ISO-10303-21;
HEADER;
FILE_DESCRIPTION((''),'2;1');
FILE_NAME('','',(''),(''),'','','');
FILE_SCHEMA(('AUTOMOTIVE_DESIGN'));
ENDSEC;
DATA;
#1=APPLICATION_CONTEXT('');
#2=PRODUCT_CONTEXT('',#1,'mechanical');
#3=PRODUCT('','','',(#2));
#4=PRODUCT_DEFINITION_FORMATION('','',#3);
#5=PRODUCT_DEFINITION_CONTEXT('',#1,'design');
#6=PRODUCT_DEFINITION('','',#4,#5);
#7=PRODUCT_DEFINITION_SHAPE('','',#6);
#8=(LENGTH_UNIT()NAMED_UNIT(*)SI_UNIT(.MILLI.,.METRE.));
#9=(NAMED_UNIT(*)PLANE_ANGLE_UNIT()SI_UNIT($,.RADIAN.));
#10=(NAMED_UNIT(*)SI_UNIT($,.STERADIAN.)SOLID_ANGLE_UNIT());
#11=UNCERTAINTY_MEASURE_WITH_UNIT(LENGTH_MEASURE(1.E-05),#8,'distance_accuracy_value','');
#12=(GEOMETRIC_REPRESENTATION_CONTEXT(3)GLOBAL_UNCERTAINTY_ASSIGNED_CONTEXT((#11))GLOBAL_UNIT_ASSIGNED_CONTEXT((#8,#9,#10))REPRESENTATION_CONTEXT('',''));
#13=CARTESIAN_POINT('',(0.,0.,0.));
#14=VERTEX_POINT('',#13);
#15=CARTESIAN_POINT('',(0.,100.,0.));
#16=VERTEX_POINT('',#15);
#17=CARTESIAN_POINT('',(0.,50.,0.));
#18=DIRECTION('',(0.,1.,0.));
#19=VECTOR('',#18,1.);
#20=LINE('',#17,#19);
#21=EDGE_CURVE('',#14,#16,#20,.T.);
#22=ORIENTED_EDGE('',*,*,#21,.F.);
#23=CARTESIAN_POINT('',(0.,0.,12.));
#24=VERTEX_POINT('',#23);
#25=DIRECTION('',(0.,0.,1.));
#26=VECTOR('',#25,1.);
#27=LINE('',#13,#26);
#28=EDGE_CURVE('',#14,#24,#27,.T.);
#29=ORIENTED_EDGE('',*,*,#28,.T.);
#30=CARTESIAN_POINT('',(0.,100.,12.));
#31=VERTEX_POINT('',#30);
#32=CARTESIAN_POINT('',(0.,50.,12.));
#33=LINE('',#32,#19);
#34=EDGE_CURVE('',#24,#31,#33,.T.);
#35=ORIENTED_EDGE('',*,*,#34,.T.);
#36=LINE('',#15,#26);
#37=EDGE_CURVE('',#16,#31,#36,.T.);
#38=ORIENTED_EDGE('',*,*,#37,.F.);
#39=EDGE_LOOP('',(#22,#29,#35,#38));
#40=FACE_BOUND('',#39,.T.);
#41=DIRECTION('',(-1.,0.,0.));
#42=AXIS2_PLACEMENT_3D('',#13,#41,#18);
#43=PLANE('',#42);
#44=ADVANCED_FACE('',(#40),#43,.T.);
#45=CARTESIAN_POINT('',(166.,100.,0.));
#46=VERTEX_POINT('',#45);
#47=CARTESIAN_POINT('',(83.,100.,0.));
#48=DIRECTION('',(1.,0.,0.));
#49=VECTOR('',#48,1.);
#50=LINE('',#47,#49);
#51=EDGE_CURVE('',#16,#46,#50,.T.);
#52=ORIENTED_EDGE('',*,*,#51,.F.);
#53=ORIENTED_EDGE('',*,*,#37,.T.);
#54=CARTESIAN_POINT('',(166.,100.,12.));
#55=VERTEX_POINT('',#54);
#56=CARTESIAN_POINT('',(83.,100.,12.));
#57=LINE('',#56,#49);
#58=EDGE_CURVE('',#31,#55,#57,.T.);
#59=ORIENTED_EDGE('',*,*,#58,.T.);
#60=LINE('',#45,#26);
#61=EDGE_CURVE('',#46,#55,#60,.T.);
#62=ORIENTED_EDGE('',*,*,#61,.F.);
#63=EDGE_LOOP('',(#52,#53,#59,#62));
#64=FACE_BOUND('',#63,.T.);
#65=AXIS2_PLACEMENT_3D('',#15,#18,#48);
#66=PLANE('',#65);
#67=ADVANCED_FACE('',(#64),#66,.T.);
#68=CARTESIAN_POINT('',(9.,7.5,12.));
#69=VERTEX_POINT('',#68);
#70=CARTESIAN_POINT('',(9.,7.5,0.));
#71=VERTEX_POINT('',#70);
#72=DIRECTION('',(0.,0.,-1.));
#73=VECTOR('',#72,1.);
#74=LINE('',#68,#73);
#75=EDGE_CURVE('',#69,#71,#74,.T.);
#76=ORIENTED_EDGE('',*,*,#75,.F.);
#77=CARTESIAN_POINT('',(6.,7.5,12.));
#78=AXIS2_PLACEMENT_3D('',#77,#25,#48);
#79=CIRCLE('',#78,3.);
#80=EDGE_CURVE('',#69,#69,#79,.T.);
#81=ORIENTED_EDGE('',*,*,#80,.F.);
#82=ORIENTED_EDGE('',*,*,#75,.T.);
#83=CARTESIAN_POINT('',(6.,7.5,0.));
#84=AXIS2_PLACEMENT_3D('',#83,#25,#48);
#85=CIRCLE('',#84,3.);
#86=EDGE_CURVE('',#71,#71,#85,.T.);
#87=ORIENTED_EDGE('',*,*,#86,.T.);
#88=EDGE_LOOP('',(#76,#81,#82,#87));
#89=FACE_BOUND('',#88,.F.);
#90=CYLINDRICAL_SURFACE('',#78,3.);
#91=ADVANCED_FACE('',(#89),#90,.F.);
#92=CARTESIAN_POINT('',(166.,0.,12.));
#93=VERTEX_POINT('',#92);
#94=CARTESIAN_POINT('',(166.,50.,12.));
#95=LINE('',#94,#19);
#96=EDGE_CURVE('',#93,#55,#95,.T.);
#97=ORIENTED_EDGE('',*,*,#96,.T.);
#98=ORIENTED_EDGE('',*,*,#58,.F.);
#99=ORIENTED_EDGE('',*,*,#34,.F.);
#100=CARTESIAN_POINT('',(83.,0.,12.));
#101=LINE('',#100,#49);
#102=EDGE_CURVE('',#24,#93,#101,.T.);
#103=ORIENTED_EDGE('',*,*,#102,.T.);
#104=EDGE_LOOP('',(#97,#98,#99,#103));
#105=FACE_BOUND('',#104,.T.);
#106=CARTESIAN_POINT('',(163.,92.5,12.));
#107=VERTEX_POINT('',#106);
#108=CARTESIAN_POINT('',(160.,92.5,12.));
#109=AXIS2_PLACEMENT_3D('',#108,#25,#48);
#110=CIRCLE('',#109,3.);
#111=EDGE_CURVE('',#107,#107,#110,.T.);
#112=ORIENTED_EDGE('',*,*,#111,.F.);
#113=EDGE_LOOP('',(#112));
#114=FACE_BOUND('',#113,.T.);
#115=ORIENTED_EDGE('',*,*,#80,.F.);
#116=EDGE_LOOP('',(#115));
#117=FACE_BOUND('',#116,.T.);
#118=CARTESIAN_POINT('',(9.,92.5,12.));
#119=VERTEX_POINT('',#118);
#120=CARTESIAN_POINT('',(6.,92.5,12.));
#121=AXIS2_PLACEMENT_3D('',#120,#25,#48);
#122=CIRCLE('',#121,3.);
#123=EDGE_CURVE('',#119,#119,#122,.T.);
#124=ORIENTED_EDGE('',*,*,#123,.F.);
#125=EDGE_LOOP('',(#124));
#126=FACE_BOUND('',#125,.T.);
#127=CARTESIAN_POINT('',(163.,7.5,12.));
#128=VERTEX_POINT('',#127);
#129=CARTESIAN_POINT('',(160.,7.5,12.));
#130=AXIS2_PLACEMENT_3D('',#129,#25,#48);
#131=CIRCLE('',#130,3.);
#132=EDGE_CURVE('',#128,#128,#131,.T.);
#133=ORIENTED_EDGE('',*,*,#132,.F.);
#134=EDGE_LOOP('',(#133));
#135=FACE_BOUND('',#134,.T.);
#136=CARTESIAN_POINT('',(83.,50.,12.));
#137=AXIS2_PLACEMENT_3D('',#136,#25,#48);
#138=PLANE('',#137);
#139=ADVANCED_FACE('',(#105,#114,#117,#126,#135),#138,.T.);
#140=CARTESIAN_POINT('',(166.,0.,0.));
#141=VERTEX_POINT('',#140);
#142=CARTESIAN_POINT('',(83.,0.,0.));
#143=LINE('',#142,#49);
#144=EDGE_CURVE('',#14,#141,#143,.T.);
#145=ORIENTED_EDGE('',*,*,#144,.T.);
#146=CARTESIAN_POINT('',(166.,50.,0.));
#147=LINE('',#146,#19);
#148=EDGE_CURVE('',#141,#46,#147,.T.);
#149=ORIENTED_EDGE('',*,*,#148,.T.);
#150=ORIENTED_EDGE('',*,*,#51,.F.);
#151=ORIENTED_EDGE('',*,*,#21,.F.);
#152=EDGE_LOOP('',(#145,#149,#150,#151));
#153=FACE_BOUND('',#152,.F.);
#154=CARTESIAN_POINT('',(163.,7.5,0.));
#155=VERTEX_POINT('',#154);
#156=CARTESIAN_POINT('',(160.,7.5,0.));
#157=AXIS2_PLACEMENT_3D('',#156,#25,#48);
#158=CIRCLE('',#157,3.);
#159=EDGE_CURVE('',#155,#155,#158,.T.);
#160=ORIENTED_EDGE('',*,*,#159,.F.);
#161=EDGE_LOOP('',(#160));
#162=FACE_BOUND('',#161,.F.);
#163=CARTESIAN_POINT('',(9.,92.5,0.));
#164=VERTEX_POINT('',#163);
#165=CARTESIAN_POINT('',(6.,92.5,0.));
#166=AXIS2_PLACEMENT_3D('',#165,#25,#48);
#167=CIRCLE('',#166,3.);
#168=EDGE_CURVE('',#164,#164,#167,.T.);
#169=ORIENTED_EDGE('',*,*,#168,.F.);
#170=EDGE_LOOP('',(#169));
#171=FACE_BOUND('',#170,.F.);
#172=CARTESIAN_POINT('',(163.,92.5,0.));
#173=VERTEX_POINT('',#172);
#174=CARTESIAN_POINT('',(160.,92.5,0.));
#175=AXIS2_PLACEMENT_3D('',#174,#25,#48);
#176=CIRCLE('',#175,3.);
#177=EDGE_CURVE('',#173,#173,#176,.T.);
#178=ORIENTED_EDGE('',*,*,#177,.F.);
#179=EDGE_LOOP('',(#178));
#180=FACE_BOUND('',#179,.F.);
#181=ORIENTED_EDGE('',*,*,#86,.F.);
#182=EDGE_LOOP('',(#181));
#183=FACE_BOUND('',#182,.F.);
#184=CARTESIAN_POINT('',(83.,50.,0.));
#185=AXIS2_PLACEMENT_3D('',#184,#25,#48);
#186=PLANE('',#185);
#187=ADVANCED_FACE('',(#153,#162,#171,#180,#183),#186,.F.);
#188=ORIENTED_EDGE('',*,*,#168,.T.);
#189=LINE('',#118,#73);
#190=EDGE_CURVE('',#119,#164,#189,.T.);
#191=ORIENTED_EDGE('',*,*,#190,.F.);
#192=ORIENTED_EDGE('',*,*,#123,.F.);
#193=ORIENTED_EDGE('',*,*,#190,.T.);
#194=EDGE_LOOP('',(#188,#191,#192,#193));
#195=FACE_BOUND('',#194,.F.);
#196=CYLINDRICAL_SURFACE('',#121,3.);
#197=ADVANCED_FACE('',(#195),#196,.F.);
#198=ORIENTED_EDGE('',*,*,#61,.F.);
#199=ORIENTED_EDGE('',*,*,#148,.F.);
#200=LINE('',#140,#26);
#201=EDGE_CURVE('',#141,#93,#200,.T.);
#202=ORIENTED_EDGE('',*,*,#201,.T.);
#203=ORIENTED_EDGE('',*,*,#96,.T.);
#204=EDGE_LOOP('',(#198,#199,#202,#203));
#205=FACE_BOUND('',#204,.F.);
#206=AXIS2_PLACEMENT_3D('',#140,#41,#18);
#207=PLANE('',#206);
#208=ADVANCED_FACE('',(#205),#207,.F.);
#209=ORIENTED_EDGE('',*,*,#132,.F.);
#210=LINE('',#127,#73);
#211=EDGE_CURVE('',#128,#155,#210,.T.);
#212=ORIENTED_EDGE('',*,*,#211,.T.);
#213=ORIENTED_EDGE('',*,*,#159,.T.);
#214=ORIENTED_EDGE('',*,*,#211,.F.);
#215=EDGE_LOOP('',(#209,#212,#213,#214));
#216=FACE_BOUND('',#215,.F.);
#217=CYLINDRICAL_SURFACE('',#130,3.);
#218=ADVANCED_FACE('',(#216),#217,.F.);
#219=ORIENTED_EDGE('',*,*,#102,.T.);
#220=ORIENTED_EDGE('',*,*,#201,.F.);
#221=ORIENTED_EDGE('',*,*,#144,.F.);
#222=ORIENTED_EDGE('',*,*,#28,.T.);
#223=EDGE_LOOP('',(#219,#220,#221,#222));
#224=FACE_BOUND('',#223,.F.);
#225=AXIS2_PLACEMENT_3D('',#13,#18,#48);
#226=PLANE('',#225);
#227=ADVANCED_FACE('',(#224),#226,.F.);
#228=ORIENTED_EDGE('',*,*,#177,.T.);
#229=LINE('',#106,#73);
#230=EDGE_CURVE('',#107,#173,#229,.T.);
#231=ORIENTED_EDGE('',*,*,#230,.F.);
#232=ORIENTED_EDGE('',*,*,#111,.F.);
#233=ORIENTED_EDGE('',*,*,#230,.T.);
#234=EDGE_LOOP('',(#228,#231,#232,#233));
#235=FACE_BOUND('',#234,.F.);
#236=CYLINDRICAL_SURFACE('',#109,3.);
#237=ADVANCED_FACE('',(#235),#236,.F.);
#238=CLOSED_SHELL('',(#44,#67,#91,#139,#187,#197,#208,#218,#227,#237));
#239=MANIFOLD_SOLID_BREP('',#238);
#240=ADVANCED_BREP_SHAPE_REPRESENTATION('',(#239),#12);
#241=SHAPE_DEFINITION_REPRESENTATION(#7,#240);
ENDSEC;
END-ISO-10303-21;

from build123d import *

# Parameters (mm, degrees)
F0_W     = 166
F0_H     = 100
F1_DEPTH = 12
F2_R     = 3
F3_DEPTH = 12.001


with BuildPart() as f1:
    # F0 (on Top) → F1 (new body)
    with BuildSketch(Plane.XY):
        with Locations((83, 50)):
            Rectangle(F0_W, F0_H)
    extrude(amount=F1_DEPTH)

    # F2 (on face) → F3 (cut, through all)
    with BuildSketch(Plane.XY.offset(12)):
        with Locations((6, 92.5)):
            Circle(F2_R)
        with Locations((6, 7.5)):
            Circle(F2_R)
        with Locations((160, 7.5)):
            Circle(F2_R)
        with Locations((160, 92.5)):
            Circle(F2_R)
    extrude(amount=-F3_DEPTH, mode=Mode.SUBTRACT)


solid = f1.part
